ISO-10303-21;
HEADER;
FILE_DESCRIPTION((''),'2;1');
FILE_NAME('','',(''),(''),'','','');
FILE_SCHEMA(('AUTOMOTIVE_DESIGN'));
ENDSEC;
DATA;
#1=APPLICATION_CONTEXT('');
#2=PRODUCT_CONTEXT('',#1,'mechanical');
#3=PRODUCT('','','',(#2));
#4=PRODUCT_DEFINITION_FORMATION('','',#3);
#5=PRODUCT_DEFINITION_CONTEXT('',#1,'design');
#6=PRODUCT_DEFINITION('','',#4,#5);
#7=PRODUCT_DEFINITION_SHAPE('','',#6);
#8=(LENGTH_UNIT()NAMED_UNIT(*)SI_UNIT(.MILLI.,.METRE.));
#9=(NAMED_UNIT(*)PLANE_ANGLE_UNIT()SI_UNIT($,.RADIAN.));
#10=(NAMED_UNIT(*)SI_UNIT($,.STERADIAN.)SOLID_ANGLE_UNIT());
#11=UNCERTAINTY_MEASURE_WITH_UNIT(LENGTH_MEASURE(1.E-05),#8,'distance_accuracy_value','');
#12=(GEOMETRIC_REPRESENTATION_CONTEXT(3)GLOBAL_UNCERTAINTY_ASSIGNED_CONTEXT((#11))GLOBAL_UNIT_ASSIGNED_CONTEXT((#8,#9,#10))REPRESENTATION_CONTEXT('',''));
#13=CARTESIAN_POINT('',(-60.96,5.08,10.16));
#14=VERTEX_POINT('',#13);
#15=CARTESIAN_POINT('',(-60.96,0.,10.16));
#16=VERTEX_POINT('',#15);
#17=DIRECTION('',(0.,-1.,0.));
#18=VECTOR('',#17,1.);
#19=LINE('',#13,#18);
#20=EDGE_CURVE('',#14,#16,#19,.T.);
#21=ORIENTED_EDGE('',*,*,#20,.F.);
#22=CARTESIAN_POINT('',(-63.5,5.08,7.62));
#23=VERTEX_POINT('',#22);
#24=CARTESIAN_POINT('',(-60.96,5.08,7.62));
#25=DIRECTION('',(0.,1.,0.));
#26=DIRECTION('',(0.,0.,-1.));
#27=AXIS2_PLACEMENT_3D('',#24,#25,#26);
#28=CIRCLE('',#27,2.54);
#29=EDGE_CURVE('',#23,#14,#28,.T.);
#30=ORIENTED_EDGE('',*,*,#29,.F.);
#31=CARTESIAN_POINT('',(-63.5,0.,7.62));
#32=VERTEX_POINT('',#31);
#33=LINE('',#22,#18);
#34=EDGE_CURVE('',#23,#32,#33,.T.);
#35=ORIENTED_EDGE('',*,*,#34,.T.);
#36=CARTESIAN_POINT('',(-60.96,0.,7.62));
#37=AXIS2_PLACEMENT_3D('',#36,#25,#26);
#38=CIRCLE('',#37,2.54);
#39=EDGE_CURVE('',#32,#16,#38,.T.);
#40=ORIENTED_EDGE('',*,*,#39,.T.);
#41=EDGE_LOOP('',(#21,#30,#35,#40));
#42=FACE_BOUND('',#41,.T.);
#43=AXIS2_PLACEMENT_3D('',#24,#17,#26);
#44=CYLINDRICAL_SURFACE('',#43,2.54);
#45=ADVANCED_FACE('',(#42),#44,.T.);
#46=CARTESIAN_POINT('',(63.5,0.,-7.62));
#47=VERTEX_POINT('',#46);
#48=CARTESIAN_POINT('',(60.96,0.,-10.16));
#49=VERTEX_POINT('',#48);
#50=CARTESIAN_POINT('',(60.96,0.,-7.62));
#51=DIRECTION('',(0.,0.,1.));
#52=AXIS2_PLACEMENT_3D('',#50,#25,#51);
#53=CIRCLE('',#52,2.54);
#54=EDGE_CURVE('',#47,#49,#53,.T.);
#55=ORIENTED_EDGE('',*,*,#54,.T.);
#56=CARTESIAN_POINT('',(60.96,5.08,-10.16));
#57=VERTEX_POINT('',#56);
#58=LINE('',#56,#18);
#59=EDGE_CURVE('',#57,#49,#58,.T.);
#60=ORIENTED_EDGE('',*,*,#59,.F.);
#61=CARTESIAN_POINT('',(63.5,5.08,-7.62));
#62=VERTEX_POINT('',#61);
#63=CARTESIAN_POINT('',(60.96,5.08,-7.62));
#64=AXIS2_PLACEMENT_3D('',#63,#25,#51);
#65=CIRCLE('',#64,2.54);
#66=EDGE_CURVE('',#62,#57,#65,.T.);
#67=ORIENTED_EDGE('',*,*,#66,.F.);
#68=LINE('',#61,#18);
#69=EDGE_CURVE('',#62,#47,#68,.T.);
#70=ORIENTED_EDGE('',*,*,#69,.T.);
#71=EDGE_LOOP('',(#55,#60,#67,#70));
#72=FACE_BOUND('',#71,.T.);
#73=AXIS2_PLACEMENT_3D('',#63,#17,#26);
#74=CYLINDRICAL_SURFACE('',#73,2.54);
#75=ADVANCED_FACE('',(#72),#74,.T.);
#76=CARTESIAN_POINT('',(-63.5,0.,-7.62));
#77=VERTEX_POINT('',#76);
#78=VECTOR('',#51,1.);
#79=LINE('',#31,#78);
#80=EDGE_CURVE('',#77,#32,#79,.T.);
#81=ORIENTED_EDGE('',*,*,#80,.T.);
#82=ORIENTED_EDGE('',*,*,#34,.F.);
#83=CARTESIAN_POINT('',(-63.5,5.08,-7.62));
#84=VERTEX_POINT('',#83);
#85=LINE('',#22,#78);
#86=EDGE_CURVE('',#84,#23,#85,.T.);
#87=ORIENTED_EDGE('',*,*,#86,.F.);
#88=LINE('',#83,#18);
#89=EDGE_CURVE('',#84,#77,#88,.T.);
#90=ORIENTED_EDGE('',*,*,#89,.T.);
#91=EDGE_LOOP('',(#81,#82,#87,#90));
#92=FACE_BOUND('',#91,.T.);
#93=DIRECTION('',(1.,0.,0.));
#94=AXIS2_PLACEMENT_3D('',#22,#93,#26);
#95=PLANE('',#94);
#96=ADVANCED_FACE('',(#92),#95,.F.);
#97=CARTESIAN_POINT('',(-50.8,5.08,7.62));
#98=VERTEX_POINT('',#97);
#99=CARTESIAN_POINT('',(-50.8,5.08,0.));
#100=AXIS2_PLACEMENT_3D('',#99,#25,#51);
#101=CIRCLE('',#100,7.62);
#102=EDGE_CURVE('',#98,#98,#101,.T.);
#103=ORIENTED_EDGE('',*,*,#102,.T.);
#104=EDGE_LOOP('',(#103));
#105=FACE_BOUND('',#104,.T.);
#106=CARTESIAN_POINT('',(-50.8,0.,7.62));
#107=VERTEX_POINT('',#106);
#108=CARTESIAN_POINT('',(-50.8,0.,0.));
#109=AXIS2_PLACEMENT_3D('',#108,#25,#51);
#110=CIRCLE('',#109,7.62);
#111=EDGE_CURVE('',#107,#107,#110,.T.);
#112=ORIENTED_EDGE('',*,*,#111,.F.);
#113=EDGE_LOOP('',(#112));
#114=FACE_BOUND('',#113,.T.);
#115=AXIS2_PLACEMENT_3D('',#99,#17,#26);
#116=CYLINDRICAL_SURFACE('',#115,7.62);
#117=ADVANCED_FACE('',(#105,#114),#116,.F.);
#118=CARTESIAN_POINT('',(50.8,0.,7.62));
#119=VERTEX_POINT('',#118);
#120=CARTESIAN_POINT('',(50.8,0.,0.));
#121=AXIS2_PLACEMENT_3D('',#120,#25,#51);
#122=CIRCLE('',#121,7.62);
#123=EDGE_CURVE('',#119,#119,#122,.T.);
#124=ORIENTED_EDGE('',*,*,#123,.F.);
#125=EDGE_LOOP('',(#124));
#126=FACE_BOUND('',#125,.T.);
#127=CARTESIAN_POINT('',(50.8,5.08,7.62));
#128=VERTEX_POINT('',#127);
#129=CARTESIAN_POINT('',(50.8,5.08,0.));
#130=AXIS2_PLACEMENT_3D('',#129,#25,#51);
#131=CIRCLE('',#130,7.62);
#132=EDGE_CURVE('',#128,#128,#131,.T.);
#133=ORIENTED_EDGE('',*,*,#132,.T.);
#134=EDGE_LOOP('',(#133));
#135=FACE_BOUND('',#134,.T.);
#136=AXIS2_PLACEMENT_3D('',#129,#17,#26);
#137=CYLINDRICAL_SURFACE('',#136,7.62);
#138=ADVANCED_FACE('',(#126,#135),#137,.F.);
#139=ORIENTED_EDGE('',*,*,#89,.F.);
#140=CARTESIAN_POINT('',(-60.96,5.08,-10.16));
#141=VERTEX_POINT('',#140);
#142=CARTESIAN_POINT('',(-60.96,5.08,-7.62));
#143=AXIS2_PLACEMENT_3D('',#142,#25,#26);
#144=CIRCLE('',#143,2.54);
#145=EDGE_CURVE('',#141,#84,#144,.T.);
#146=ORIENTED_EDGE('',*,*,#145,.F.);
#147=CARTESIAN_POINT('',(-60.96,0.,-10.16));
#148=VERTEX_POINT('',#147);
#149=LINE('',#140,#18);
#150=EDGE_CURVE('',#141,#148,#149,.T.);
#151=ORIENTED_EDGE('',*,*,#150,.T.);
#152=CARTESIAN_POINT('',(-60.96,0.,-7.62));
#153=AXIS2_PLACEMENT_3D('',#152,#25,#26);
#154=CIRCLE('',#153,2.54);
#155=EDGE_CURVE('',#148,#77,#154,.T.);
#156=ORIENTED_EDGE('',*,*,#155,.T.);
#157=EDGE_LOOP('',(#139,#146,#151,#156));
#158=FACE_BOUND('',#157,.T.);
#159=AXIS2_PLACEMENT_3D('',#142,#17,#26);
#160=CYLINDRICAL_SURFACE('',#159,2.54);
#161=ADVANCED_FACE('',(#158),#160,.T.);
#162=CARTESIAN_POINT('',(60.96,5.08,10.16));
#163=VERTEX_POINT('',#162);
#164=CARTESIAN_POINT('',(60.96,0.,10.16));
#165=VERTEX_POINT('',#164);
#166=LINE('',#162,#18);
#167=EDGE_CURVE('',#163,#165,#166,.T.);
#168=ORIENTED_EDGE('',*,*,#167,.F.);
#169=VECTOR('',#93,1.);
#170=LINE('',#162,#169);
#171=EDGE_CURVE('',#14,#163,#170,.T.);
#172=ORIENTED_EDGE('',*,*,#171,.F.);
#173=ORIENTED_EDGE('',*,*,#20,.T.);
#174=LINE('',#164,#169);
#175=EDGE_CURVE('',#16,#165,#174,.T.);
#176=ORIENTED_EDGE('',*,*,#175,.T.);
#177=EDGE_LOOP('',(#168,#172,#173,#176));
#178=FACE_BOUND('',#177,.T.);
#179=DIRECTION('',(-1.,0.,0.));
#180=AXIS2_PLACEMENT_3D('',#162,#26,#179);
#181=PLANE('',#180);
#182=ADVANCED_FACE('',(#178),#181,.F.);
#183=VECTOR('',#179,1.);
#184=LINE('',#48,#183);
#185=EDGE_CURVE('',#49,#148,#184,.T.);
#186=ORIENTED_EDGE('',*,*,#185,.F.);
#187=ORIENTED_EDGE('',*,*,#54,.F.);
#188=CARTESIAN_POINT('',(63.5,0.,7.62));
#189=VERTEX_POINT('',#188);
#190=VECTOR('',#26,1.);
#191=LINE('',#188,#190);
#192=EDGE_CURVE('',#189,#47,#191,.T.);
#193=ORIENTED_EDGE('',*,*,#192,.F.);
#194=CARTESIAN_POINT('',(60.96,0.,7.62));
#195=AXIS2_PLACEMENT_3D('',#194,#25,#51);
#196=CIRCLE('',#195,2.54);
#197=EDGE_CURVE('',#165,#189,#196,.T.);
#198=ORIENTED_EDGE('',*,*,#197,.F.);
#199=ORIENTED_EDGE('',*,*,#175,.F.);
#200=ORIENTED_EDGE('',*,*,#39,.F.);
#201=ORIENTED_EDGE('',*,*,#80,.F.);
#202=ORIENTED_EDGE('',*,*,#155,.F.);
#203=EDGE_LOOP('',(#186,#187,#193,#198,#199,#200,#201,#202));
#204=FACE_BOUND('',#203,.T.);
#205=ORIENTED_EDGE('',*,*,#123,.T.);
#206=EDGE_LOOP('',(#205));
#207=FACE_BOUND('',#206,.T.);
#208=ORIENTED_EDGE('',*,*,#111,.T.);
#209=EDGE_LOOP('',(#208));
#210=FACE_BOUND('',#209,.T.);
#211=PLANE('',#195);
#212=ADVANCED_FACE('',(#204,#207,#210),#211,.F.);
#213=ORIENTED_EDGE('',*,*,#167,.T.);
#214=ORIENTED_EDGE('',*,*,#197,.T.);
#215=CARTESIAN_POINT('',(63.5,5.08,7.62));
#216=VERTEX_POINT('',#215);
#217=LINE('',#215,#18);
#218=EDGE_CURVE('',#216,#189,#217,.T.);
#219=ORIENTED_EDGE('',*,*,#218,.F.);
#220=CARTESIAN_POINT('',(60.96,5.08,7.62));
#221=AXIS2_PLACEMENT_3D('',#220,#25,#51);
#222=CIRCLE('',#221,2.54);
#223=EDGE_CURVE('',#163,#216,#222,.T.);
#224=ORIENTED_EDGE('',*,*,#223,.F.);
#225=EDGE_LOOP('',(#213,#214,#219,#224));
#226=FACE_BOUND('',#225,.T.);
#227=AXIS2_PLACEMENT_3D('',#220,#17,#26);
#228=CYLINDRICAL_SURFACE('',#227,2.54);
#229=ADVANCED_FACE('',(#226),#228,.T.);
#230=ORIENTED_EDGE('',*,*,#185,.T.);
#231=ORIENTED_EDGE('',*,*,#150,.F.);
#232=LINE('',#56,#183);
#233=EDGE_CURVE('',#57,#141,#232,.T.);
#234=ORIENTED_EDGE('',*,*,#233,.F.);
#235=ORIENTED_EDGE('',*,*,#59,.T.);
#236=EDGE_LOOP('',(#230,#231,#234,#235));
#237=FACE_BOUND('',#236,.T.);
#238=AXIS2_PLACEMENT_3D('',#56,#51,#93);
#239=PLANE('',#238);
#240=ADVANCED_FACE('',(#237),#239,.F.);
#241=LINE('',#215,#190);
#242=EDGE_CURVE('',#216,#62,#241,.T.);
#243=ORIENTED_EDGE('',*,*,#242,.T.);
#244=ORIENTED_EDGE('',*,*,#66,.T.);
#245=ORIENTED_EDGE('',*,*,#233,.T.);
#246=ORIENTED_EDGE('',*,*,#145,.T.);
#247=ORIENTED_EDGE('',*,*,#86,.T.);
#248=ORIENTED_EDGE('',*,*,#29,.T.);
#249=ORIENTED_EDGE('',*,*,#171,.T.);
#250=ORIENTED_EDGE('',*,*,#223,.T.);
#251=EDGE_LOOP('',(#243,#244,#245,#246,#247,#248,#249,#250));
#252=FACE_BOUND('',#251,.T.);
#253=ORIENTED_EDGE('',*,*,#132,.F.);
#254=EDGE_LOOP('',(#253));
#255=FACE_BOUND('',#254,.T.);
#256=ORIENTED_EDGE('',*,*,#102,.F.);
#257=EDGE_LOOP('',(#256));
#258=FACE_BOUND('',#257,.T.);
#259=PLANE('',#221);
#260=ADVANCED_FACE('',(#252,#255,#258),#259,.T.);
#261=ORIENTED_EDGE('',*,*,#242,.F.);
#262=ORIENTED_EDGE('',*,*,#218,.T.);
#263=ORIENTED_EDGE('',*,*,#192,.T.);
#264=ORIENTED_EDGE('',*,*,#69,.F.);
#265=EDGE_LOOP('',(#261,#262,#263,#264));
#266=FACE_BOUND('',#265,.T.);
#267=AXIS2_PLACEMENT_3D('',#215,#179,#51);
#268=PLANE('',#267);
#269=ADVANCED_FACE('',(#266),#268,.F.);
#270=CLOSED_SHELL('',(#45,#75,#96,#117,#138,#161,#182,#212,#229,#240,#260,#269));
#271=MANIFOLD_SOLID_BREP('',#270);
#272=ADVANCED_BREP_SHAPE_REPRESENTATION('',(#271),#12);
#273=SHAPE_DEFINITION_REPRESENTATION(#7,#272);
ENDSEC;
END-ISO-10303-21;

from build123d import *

# Parameters (mm, degrees)
SKETCH1_R           = 7.62
BOSS_EXTRUDE1_DEPTH = 5.08


with BuildPart() as part:
    # Sketch1 → Boss-Extrude1 (new body)
    with BuildSketch(Plane(origin=(0, 0, 0), x_dir=(1, 0, 0), z_dir=(0, 1, 0))):
        with BuildLine():
            Line((60.96, -10.16), (-60.96, -10.16))
            ThreePointArc((-60.96, -10.16), (-62.756051224, -9.416051224), (-63.5, -7.62))
            Line((-63.5, -7.62), (-63.5, 7.62))
            ThreePointArc((-63.5, 7.62), (-62.756051224, 9.416051224), (-60.96, 10.16))
            Line((-60.96, 10.16), (60.96, 10.16))
            ThreePointArc((60.96, 10.16), (62.756051224, 9.416051224), (63.5, 7.62))
            Line((63.5, 7.62), (63.5, -7.62))
            ThreePointArc((63.5, -7.62), (62.756051224, -9.416051224), (60.96, -10.16))
        make_face()
        with Locations(Location((-50.8, 0, 0), (0, 0, 270))):
            Circle(SKETCH1_R, mode=Mode.SUBTRACT)
        with Locations(Location((50.8, 0, 0), (0, 0, 270))):
            Circle(SKETCH1_R, mode=Mode.SUBTRACT)
    extrude(amount=BOSS_EXTRUDE1_DEPTH)


solid = part.part
